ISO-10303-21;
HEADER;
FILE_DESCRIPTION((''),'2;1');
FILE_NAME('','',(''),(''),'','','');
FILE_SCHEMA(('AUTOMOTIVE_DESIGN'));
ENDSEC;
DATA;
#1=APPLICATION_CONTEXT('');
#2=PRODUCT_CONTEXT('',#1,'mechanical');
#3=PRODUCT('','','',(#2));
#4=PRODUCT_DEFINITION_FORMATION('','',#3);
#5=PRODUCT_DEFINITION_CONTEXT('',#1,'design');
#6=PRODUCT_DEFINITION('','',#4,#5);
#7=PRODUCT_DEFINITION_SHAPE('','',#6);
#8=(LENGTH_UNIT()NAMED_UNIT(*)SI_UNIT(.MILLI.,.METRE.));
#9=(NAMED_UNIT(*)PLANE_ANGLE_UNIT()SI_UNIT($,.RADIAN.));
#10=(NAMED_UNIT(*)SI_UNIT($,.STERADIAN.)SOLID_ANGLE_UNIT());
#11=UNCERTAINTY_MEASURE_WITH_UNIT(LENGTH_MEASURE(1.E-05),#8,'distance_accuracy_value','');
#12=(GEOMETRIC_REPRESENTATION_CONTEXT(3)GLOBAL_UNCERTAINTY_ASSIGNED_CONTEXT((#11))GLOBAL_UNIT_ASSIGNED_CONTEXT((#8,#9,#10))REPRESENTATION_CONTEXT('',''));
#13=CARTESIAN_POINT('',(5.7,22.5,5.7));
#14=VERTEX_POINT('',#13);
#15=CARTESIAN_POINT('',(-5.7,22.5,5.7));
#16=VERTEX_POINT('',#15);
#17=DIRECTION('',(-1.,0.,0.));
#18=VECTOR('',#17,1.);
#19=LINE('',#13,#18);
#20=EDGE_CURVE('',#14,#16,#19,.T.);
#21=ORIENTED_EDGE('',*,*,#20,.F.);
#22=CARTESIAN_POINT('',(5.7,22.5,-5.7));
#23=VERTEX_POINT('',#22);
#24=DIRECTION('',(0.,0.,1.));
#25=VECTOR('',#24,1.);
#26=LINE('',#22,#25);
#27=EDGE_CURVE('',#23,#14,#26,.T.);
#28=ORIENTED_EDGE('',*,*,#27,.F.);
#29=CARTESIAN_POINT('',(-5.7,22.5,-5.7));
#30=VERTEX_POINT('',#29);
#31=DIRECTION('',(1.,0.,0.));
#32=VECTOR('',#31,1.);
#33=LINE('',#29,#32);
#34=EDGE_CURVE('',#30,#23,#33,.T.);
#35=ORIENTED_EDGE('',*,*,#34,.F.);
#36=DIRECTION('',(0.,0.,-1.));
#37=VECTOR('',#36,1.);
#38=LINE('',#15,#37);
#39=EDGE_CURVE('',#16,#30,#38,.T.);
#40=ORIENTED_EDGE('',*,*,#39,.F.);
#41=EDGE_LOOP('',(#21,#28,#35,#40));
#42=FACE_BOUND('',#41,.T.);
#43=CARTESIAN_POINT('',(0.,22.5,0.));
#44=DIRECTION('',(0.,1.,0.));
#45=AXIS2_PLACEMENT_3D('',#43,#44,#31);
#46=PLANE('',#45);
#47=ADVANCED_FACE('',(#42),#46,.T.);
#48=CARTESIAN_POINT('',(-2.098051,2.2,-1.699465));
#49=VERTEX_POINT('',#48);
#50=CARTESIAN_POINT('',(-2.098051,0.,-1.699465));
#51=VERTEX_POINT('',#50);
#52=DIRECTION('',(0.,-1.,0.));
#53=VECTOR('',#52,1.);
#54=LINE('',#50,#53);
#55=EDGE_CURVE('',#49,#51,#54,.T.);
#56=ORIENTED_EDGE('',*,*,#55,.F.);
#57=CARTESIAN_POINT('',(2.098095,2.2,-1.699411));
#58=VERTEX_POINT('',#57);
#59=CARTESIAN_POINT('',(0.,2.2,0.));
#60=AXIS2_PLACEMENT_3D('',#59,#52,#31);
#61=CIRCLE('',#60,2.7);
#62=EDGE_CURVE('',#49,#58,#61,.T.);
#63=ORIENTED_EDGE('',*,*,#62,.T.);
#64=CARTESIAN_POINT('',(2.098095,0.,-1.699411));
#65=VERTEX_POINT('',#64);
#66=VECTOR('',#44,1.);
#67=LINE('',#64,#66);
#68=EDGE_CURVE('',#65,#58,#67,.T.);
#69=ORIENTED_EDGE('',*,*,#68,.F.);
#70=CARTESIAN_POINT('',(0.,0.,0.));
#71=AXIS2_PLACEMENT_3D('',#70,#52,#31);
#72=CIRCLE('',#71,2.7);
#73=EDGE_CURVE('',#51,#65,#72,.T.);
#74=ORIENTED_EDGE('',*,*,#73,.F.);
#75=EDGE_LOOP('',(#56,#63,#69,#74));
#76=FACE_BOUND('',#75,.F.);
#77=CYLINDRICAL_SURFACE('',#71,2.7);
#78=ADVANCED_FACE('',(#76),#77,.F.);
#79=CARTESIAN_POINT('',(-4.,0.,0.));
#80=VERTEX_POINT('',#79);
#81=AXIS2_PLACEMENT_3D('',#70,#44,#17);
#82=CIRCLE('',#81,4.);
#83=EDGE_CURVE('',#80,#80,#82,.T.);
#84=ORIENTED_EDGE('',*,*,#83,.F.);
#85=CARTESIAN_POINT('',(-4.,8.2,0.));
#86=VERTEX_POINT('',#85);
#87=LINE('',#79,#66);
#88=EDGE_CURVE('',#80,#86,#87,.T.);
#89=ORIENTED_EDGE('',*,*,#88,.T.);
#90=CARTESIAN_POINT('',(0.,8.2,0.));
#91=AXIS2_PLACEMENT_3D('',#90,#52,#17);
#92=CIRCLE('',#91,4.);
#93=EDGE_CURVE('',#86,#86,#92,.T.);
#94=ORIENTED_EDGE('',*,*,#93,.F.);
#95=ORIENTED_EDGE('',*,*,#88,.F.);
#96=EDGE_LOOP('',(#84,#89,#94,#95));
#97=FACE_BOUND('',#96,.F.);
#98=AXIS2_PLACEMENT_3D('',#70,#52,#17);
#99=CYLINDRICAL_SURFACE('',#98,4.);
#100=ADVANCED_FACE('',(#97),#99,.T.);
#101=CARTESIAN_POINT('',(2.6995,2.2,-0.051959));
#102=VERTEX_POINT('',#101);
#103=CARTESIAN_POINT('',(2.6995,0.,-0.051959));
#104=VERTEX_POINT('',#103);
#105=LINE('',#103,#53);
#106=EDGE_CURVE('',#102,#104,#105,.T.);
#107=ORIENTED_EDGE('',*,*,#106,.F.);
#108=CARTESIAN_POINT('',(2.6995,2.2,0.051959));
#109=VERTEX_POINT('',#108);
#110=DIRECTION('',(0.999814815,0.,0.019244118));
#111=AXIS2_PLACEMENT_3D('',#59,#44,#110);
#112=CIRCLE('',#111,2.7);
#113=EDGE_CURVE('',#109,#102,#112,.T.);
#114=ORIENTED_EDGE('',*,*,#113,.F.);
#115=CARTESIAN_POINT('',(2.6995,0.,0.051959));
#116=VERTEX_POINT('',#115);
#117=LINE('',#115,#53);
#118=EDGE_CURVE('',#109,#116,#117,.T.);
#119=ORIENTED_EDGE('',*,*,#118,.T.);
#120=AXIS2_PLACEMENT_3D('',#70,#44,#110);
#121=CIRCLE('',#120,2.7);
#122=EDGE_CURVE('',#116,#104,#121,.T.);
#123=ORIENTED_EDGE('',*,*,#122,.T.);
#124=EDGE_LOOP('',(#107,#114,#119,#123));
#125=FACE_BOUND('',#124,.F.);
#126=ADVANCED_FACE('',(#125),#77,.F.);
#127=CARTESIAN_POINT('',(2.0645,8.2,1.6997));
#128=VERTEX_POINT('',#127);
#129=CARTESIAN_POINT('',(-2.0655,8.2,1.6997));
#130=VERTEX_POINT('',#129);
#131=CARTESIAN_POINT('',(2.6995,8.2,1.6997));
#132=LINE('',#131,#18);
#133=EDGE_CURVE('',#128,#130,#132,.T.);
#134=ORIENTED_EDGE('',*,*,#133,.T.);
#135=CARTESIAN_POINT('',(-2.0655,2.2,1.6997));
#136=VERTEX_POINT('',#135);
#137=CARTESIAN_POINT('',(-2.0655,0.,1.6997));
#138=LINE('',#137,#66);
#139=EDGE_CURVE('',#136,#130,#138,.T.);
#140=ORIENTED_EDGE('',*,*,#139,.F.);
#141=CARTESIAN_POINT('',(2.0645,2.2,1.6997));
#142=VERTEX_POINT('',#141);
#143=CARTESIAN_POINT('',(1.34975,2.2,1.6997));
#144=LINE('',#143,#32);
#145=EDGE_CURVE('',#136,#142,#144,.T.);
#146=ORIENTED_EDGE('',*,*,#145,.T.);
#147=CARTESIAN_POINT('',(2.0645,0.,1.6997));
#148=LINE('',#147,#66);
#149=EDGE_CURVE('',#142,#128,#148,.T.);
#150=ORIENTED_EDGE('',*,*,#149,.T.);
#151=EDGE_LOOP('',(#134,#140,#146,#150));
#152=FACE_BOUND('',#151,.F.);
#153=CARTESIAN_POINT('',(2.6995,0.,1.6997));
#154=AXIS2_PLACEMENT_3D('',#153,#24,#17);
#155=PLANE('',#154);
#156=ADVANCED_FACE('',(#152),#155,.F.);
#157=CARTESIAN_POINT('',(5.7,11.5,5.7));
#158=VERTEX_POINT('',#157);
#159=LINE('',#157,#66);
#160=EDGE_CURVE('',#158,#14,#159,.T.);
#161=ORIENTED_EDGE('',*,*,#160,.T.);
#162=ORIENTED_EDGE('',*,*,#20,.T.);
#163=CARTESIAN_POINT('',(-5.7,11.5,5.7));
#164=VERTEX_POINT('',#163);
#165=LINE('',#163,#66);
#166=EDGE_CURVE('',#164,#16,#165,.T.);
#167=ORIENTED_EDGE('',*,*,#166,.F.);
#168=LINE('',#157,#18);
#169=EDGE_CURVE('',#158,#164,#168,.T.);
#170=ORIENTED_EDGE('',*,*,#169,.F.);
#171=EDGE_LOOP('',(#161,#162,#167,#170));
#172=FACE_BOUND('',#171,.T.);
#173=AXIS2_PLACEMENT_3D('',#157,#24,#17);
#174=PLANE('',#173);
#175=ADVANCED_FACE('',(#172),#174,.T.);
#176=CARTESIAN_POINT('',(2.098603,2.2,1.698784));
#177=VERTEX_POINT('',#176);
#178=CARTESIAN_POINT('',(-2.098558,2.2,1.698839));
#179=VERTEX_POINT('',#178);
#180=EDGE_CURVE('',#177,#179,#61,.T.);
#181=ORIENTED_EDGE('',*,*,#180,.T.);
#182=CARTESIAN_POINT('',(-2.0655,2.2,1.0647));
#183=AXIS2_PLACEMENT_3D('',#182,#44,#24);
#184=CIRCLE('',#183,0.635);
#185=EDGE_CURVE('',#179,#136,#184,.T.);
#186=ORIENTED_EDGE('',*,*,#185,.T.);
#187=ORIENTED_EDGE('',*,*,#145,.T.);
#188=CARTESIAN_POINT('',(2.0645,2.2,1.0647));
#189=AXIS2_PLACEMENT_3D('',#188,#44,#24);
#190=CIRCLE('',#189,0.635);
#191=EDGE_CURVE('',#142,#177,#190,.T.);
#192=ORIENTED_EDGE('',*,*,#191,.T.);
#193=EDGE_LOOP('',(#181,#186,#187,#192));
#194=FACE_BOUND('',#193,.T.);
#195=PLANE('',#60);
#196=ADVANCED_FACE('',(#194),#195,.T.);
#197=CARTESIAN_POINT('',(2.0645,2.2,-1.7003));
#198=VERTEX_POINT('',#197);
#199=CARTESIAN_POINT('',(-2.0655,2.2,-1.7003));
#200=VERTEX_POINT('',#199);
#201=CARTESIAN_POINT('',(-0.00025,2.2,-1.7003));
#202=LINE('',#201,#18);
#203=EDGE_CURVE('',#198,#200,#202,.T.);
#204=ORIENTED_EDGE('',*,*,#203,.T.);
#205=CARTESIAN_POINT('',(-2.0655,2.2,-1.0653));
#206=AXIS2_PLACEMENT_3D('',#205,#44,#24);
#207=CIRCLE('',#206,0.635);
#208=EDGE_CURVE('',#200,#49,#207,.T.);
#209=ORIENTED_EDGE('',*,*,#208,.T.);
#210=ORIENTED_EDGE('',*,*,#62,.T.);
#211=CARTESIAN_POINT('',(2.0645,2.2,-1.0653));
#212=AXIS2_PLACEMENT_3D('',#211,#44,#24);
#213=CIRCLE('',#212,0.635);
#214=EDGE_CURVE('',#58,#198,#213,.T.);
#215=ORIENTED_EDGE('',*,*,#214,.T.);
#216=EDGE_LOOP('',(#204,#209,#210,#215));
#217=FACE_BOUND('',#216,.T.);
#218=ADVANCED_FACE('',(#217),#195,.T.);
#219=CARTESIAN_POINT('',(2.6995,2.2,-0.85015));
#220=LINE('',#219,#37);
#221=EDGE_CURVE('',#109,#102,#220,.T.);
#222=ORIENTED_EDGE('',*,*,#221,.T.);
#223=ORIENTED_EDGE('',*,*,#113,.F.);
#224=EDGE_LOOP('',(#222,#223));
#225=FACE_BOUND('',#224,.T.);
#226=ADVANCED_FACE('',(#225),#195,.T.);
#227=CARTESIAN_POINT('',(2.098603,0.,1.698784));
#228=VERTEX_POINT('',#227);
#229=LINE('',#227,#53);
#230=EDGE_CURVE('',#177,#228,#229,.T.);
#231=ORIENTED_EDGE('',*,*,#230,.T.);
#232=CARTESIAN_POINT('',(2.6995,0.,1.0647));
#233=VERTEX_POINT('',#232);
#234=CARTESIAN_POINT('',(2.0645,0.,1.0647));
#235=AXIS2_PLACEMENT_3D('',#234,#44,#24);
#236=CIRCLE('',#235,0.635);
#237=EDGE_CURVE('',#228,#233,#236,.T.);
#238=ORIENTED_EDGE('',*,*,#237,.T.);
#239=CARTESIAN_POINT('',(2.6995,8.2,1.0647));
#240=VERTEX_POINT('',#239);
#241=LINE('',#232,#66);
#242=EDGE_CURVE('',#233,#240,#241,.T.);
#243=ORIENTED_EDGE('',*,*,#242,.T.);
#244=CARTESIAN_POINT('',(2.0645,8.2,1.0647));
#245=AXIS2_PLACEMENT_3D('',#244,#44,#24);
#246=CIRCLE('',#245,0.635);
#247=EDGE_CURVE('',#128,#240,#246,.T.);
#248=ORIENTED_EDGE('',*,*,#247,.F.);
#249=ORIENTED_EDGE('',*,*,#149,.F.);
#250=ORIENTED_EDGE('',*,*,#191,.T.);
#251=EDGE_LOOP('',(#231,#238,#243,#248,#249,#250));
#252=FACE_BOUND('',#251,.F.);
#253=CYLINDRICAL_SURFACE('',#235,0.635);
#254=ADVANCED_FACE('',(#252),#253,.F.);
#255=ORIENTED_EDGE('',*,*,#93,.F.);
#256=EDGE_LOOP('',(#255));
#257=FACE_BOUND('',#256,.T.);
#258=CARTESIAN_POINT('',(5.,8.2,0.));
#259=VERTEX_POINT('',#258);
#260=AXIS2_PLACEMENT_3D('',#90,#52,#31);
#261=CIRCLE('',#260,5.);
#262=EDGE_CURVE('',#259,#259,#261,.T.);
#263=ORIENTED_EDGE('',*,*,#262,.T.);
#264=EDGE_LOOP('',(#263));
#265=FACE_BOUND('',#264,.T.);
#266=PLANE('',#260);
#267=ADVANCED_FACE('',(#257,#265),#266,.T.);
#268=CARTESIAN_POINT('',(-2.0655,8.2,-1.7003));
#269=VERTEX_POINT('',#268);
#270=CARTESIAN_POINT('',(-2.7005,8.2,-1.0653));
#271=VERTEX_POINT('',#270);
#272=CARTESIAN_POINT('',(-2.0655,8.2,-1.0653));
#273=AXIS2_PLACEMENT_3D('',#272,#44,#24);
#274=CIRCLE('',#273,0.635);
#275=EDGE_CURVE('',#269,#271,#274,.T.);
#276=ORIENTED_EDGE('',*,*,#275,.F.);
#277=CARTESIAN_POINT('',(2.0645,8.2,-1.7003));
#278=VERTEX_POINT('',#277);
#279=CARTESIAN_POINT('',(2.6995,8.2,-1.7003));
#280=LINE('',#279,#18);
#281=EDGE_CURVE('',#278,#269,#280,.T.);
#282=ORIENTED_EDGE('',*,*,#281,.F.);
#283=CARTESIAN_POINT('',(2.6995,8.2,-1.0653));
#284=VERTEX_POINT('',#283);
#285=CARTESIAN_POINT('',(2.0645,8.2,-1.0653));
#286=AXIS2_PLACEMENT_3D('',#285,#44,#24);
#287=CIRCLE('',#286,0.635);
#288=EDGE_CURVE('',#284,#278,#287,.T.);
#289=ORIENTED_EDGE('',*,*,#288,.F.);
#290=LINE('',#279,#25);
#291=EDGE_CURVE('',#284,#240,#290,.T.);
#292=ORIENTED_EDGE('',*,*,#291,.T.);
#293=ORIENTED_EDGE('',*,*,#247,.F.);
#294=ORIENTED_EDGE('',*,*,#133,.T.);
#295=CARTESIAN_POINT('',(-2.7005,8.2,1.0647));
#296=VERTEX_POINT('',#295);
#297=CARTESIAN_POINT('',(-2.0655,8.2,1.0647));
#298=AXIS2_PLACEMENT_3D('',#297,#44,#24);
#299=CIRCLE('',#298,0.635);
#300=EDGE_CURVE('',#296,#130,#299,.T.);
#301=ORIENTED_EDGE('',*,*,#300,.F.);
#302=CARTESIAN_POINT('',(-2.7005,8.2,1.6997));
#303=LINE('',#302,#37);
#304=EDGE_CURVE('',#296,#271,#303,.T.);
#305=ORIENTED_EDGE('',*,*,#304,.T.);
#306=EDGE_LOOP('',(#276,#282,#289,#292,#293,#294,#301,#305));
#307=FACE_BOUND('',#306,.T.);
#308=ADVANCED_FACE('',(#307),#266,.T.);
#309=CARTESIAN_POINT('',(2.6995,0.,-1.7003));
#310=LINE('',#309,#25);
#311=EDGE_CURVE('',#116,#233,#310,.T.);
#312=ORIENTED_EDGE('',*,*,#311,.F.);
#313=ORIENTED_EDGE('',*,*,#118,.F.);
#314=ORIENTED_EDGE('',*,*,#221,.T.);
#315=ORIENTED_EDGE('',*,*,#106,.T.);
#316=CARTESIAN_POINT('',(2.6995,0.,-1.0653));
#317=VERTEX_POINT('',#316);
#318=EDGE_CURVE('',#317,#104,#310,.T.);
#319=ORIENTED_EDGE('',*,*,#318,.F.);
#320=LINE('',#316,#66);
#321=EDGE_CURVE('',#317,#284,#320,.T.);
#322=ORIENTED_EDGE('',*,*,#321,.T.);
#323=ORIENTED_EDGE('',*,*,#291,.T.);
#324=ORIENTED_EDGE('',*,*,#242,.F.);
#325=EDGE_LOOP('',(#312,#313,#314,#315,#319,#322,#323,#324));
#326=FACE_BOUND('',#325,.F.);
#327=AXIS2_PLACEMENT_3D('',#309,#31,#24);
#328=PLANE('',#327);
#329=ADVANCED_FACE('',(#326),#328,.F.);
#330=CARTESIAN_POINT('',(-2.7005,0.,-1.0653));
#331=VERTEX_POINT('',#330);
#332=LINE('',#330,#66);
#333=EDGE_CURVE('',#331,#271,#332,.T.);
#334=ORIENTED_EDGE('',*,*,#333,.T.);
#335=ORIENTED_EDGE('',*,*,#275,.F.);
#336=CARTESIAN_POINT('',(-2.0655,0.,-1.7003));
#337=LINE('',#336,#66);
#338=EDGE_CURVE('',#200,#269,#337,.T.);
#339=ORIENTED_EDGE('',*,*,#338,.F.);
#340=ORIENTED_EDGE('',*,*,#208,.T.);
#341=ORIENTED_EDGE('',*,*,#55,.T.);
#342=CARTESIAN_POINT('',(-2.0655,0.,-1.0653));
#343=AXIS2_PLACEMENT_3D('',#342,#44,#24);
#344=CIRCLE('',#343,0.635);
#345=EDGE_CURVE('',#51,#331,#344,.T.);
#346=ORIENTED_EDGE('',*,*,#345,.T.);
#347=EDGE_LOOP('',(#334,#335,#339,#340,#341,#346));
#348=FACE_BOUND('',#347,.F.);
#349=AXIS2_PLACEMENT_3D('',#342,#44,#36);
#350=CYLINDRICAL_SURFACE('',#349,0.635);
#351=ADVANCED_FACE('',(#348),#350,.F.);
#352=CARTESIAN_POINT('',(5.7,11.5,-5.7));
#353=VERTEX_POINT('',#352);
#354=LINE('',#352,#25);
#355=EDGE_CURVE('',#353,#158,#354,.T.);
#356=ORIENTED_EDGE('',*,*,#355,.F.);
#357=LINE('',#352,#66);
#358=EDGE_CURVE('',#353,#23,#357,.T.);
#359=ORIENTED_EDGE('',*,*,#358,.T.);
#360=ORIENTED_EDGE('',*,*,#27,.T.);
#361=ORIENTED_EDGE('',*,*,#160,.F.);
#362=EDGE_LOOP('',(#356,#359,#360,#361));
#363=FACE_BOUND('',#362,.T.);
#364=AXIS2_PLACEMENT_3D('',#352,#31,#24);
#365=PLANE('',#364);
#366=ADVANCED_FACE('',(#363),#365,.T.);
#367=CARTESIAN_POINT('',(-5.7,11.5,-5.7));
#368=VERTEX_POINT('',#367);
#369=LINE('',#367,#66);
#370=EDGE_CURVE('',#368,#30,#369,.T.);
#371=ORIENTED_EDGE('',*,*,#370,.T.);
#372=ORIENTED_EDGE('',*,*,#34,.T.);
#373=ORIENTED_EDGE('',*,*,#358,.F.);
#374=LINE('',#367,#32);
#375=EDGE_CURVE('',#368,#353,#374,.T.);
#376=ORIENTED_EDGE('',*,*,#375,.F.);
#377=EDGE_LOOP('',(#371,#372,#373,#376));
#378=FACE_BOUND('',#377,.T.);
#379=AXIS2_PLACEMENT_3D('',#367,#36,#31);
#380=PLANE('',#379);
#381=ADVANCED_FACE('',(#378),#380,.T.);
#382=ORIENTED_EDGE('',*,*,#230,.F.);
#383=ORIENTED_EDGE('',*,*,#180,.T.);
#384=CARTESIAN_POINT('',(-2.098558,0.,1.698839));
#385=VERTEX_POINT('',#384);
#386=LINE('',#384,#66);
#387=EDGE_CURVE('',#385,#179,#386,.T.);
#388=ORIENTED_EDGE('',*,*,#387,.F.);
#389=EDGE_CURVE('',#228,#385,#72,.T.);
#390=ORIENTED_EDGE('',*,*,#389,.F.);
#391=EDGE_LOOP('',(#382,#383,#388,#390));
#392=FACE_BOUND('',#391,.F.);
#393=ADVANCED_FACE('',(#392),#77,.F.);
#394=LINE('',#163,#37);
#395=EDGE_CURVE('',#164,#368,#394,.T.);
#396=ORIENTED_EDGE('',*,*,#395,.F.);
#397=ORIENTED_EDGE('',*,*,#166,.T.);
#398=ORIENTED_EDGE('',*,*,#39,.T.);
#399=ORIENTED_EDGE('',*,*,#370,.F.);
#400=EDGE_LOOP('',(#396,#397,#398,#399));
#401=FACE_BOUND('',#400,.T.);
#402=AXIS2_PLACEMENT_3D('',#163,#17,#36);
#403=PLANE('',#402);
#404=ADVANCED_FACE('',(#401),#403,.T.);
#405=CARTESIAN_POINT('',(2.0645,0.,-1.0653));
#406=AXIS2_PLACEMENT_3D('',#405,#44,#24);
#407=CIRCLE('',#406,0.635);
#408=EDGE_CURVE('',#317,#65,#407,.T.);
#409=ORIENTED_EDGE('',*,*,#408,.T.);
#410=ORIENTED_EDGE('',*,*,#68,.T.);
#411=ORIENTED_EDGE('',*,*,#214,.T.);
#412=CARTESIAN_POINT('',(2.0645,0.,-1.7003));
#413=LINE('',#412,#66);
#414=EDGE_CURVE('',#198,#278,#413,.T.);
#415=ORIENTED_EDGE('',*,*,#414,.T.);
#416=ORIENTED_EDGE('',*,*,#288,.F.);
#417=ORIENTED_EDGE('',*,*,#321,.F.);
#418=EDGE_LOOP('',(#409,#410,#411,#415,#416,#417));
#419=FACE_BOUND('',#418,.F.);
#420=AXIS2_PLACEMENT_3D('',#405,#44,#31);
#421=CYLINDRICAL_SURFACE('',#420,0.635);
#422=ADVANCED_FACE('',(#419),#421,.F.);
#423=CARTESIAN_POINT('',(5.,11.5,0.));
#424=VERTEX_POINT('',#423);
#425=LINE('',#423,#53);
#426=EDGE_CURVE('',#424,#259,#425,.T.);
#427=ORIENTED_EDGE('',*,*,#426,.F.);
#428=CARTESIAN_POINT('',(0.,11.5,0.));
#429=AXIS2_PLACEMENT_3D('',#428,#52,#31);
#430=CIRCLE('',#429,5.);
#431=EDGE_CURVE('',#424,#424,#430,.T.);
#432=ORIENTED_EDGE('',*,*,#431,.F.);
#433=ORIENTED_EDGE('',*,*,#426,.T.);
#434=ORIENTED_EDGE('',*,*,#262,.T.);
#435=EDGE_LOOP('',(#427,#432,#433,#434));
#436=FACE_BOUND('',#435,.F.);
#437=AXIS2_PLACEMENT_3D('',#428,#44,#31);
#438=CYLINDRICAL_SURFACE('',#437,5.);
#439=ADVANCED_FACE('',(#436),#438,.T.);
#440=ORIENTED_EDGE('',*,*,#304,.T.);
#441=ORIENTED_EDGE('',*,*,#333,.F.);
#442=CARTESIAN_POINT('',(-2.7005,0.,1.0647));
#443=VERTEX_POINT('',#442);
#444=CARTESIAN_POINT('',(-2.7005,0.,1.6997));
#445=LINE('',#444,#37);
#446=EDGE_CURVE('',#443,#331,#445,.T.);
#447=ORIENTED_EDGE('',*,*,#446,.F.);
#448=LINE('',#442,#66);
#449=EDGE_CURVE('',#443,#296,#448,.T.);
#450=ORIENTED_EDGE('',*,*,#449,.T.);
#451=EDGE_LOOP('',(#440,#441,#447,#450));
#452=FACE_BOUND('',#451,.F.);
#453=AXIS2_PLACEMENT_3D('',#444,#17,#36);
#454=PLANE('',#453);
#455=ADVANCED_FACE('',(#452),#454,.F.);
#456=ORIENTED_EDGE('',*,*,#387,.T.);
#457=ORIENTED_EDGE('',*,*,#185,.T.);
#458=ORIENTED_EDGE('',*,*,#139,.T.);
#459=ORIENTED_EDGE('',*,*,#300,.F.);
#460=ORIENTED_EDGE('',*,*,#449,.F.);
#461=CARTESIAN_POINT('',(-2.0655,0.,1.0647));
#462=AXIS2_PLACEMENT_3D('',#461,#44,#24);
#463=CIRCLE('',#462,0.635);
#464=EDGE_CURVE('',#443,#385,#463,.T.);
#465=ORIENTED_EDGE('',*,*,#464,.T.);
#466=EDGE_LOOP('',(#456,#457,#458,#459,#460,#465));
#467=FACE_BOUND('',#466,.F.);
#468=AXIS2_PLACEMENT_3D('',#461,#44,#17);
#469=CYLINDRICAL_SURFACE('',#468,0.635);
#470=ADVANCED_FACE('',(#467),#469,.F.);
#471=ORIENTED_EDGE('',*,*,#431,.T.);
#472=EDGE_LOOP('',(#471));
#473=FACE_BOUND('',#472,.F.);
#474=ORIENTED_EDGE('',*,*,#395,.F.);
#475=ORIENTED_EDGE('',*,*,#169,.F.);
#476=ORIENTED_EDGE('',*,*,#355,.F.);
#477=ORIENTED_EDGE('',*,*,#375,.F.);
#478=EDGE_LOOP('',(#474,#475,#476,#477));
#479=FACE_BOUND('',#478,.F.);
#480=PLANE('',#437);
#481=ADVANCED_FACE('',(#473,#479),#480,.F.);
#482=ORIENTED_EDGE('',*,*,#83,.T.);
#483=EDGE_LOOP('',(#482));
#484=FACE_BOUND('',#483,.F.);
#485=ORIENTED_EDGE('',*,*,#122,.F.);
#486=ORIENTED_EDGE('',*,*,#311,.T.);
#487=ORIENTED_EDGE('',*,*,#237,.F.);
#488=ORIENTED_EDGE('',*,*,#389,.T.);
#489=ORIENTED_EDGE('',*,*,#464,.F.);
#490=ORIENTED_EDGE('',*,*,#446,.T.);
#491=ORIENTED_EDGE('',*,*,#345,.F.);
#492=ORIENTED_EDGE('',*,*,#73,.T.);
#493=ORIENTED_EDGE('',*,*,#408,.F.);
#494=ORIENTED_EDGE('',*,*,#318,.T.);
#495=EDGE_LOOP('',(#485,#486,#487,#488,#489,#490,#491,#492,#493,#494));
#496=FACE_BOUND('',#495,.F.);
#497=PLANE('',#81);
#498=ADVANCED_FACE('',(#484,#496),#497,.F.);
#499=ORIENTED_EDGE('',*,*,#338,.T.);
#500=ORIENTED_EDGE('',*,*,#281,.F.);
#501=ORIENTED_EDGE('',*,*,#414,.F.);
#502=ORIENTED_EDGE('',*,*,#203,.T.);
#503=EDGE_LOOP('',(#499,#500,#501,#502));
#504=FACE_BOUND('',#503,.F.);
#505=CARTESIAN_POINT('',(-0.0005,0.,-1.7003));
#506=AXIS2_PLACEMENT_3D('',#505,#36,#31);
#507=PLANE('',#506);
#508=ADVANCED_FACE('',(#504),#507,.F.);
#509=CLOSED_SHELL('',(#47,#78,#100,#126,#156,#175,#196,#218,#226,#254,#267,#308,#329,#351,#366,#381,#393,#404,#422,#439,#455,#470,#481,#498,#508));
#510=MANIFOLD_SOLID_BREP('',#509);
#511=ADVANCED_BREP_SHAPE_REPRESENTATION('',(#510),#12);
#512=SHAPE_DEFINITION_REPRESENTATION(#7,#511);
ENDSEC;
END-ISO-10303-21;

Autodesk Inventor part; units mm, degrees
ref_plane "YZ Plane" through (0, 0, 0) normal (1, 0, 0) x (0, 1, 0)
ref_plane "XZ Plane" through (0, 0, 0) normal (0, 1, 0) x (-1, 0, 0)
ref_plane "XY Plane" through (0, 0, 0) normal (0, 0, 1) x (1, 0, 0)
sketch "Sketch1" plane through (0, 0, 0) normal (0, 1, 0) x (-1, 0, 0)
  line L0 (14.5, -14.5) -> (-14.5, -14.5)
  line L1 (-14.5, -14.5) -> (-14.5, 14.5)
  line L2 (-14.5, 14.5) -> (14.5, 14.5)
  line L3 (14.5, 14.5) -> (14.5, -14.5)
  circle A0 centre (0, 0) radius 4
  dimension "d11" = 29
  dimension "d14" = 29
  dimension "d31" = 8
extrude "Extrusion1" add sketch "Sketch1" along normal blind 11.5 contours A0
sketch "Sketch2" plane through (0, 11.5, 0) normal (0, 1, 0) x (1, 0, 0)
  line L0 (-5.7, 5.7) -> (5.7, 5.7)
  line L1 (5.7, 5.7) -> (5.7, -5.7)
  line L2 (5.7, -5.7) -> (-5.7, -5.7)
  line L3 (-5.7, -5.7) -> (-5.7, 5.7)
  line L4 (14.5, 14.5) -> (-14.5, 14.5) projected
  line L5 (14.5, -14.5) -> (14.5, 14.5) projected
  line L6 (-14.5, -14.5) -> (14.5, -14.5) projected
  line L7 (-14.5, 14.5) -> (-14.5, -14.5) projected
  point P0 (0, 0)
  dimension "d15" = 8.8
  dimension "d16" = 8.8
  dimension "d17" = 8.8
  dimension "d18" = 8.8
  dimension "d32" = 11.4
extrude "Extrusion2" add sketch "Sketch2" along normal blind 11 contours L0 L1 L2 L3
sketch "Sketch3" plane through (0, 0, 0) normal (0, -1, 0) x (1, 0, 0)
  line L0 (-0.0005, -0.0003) -> (-0.0005, -1.7003)
  line L1 (-0.0005, -1.7003) -> (2.6995, -1.7003)
  line L2 (2.6995, -1.7003) -> (2.6995, 1.6997)
  line L3 (2.6995, 1.6997) -> (-2.7005, 1.6997)
  line L4 (-2.7005, 1.6997) -> (-2.7005, -1.7003)
  line L5 (-2.7005, -1.7003) -> (-0.0005, -1.7003)
  dimension "d42" = 1.7
  dimension "d43" = 2.7
  dimension "d44" = 3.4
  dimension "d45" = 5.4
extrude "Extrusion3" cut sketch "Sketch3" against normal blind 8.2
sketch "Sketch5" plane through (0, 0, 0) normal (0, -1, 0) x (1, 0, 0)
  circle A0 centre (0, 0) radius 2.7
  dimension "d35" = 5.4
extrude "Extrusion4" cut sketch "Sketch5" against normal blind 2.2
fillet "Fillet1" radius 0.635 4 edges at (2.6995, 4.1, 1.6997) (2.6995, 4.1, -1.7003) (-2.7005, 4.1, -1.7003) (-2.7005, 4.1, 1.6997)
sketch "Sketch6" plane through (0, 11.5, 0) normal (0, -1, 0) x (1, 0, 0)
  circle A0 centre (0, 0) radius 5
  dimension "d47" = 10
extrude "Extrusion5" add sketch "Sketch6" along normal up to surface (3.3 mm away)
equation "\"d14\" = d11"
equation "\"d16\" = d15"
equation "\"d17\" = d15"
equation "\"d18\" = d15"
equation "\"d42\" = 0.5 * d44"
properties part number "Motor_Key_Bearing_2_2"
